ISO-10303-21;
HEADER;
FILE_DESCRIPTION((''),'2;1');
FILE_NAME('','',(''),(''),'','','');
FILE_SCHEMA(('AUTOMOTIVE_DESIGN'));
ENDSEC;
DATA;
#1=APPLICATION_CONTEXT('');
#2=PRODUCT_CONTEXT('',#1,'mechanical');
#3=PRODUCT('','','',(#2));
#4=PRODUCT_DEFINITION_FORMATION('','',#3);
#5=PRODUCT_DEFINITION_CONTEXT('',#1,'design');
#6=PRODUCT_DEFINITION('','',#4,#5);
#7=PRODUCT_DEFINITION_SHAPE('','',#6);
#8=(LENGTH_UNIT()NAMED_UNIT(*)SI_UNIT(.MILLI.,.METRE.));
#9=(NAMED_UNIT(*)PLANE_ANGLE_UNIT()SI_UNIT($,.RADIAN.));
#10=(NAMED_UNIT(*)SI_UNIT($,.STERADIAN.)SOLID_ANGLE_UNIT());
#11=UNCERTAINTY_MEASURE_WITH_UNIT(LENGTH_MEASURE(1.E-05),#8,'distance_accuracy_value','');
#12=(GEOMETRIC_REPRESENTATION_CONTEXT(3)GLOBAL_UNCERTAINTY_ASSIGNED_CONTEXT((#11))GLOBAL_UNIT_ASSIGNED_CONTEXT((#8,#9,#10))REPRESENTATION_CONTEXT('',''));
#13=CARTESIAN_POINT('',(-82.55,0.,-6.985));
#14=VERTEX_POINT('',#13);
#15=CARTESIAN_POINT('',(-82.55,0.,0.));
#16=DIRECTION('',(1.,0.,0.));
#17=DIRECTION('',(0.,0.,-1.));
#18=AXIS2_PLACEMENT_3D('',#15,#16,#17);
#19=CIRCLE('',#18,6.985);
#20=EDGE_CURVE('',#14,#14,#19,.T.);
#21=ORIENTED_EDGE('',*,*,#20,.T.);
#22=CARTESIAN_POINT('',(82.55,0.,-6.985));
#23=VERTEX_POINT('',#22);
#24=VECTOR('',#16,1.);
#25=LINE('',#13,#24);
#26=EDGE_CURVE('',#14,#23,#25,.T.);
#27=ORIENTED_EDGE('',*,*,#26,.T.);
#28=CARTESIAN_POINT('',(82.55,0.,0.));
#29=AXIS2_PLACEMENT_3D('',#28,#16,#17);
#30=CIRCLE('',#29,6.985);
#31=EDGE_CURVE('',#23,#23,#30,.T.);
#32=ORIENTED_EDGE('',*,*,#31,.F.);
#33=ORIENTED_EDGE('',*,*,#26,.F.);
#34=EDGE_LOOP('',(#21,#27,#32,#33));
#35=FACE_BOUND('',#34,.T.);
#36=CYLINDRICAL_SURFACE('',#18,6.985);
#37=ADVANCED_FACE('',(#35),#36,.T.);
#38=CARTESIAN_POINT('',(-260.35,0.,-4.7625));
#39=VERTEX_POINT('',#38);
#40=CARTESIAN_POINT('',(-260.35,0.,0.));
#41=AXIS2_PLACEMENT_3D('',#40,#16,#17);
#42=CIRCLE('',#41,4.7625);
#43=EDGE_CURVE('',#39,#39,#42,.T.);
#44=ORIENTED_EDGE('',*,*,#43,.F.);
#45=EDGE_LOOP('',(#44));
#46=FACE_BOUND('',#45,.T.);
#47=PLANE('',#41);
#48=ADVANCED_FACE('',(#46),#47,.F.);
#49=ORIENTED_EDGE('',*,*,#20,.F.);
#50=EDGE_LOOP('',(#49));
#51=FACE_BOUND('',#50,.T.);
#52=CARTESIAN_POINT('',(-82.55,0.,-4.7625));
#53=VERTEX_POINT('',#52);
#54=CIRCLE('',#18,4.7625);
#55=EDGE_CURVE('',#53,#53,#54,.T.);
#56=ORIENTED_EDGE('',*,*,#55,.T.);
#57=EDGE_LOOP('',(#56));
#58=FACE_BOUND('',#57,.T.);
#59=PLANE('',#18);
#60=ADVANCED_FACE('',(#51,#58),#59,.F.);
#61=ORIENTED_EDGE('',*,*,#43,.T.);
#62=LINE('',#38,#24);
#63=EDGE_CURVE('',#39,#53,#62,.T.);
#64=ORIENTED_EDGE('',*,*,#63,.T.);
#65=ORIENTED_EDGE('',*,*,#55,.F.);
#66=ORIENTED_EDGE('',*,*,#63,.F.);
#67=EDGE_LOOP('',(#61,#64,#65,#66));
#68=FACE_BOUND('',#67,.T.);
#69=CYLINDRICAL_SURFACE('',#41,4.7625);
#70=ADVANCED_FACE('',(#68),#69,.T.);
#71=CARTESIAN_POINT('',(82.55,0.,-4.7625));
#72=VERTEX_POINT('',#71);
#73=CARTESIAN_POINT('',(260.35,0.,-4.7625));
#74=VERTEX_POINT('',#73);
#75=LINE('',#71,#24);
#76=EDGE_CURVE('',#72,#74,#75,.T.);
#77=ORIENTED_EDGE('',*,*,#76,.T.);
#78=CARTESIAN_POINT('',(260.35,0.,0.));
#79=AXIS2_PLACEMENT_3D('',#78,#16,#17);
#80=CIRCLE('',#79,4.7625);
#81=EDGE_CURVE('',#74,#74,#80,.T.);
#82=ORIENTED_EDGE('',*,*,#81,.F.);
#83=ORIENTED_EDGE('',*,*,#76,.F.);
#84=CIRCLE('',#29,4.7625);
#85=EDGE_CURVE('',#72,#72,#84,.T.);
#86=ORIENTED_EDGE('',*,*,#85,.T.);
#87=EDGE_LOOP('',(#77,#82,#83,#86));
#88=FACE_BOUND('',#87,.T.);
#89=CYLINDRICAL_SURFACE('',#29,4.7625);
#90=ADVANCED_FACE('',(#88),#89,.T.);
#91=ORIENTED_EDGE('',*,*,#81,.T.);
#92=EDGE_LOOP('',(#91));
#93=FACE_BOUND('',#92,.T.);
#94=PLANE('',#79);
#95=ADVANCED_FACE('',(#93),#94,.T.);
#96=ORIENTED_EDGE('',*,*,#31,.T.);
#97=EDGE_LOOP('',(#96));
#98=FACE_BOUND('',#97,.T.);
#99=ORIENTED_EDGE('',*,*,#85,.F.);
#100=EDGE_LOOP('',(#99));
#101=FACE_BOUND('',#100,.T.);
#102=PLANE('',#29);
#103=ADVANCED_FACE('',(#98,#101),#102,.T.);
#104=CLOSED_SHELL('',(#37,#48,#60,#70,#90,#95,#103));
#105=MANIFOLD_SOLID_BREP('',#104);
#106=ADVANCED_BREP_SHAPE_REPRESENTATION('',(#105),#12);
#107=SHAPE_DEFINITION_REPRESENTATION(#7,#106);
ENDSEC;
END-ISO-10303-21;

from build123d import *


with BuildPart() as part:
    # Sketch1 → Revolve1 (revolve)
    with BuildSketch(Plane(origin=(0, 0, 0), x_dir=(1, 0, 0), z_dir=(0, 1, 0))):
        Polygon((-82.55, 4.7625), (-82.55, 6.985), (82.55, 6.985), (82.55, 4.7625), (260.35, 4.7625), (260.35, 0), (-260.35, 0), (-260.35, 4.7625), align=None)
    revolve(axis=Axis((-260.35, 0, 0), (1, 0, 0)))


solid = part.part
